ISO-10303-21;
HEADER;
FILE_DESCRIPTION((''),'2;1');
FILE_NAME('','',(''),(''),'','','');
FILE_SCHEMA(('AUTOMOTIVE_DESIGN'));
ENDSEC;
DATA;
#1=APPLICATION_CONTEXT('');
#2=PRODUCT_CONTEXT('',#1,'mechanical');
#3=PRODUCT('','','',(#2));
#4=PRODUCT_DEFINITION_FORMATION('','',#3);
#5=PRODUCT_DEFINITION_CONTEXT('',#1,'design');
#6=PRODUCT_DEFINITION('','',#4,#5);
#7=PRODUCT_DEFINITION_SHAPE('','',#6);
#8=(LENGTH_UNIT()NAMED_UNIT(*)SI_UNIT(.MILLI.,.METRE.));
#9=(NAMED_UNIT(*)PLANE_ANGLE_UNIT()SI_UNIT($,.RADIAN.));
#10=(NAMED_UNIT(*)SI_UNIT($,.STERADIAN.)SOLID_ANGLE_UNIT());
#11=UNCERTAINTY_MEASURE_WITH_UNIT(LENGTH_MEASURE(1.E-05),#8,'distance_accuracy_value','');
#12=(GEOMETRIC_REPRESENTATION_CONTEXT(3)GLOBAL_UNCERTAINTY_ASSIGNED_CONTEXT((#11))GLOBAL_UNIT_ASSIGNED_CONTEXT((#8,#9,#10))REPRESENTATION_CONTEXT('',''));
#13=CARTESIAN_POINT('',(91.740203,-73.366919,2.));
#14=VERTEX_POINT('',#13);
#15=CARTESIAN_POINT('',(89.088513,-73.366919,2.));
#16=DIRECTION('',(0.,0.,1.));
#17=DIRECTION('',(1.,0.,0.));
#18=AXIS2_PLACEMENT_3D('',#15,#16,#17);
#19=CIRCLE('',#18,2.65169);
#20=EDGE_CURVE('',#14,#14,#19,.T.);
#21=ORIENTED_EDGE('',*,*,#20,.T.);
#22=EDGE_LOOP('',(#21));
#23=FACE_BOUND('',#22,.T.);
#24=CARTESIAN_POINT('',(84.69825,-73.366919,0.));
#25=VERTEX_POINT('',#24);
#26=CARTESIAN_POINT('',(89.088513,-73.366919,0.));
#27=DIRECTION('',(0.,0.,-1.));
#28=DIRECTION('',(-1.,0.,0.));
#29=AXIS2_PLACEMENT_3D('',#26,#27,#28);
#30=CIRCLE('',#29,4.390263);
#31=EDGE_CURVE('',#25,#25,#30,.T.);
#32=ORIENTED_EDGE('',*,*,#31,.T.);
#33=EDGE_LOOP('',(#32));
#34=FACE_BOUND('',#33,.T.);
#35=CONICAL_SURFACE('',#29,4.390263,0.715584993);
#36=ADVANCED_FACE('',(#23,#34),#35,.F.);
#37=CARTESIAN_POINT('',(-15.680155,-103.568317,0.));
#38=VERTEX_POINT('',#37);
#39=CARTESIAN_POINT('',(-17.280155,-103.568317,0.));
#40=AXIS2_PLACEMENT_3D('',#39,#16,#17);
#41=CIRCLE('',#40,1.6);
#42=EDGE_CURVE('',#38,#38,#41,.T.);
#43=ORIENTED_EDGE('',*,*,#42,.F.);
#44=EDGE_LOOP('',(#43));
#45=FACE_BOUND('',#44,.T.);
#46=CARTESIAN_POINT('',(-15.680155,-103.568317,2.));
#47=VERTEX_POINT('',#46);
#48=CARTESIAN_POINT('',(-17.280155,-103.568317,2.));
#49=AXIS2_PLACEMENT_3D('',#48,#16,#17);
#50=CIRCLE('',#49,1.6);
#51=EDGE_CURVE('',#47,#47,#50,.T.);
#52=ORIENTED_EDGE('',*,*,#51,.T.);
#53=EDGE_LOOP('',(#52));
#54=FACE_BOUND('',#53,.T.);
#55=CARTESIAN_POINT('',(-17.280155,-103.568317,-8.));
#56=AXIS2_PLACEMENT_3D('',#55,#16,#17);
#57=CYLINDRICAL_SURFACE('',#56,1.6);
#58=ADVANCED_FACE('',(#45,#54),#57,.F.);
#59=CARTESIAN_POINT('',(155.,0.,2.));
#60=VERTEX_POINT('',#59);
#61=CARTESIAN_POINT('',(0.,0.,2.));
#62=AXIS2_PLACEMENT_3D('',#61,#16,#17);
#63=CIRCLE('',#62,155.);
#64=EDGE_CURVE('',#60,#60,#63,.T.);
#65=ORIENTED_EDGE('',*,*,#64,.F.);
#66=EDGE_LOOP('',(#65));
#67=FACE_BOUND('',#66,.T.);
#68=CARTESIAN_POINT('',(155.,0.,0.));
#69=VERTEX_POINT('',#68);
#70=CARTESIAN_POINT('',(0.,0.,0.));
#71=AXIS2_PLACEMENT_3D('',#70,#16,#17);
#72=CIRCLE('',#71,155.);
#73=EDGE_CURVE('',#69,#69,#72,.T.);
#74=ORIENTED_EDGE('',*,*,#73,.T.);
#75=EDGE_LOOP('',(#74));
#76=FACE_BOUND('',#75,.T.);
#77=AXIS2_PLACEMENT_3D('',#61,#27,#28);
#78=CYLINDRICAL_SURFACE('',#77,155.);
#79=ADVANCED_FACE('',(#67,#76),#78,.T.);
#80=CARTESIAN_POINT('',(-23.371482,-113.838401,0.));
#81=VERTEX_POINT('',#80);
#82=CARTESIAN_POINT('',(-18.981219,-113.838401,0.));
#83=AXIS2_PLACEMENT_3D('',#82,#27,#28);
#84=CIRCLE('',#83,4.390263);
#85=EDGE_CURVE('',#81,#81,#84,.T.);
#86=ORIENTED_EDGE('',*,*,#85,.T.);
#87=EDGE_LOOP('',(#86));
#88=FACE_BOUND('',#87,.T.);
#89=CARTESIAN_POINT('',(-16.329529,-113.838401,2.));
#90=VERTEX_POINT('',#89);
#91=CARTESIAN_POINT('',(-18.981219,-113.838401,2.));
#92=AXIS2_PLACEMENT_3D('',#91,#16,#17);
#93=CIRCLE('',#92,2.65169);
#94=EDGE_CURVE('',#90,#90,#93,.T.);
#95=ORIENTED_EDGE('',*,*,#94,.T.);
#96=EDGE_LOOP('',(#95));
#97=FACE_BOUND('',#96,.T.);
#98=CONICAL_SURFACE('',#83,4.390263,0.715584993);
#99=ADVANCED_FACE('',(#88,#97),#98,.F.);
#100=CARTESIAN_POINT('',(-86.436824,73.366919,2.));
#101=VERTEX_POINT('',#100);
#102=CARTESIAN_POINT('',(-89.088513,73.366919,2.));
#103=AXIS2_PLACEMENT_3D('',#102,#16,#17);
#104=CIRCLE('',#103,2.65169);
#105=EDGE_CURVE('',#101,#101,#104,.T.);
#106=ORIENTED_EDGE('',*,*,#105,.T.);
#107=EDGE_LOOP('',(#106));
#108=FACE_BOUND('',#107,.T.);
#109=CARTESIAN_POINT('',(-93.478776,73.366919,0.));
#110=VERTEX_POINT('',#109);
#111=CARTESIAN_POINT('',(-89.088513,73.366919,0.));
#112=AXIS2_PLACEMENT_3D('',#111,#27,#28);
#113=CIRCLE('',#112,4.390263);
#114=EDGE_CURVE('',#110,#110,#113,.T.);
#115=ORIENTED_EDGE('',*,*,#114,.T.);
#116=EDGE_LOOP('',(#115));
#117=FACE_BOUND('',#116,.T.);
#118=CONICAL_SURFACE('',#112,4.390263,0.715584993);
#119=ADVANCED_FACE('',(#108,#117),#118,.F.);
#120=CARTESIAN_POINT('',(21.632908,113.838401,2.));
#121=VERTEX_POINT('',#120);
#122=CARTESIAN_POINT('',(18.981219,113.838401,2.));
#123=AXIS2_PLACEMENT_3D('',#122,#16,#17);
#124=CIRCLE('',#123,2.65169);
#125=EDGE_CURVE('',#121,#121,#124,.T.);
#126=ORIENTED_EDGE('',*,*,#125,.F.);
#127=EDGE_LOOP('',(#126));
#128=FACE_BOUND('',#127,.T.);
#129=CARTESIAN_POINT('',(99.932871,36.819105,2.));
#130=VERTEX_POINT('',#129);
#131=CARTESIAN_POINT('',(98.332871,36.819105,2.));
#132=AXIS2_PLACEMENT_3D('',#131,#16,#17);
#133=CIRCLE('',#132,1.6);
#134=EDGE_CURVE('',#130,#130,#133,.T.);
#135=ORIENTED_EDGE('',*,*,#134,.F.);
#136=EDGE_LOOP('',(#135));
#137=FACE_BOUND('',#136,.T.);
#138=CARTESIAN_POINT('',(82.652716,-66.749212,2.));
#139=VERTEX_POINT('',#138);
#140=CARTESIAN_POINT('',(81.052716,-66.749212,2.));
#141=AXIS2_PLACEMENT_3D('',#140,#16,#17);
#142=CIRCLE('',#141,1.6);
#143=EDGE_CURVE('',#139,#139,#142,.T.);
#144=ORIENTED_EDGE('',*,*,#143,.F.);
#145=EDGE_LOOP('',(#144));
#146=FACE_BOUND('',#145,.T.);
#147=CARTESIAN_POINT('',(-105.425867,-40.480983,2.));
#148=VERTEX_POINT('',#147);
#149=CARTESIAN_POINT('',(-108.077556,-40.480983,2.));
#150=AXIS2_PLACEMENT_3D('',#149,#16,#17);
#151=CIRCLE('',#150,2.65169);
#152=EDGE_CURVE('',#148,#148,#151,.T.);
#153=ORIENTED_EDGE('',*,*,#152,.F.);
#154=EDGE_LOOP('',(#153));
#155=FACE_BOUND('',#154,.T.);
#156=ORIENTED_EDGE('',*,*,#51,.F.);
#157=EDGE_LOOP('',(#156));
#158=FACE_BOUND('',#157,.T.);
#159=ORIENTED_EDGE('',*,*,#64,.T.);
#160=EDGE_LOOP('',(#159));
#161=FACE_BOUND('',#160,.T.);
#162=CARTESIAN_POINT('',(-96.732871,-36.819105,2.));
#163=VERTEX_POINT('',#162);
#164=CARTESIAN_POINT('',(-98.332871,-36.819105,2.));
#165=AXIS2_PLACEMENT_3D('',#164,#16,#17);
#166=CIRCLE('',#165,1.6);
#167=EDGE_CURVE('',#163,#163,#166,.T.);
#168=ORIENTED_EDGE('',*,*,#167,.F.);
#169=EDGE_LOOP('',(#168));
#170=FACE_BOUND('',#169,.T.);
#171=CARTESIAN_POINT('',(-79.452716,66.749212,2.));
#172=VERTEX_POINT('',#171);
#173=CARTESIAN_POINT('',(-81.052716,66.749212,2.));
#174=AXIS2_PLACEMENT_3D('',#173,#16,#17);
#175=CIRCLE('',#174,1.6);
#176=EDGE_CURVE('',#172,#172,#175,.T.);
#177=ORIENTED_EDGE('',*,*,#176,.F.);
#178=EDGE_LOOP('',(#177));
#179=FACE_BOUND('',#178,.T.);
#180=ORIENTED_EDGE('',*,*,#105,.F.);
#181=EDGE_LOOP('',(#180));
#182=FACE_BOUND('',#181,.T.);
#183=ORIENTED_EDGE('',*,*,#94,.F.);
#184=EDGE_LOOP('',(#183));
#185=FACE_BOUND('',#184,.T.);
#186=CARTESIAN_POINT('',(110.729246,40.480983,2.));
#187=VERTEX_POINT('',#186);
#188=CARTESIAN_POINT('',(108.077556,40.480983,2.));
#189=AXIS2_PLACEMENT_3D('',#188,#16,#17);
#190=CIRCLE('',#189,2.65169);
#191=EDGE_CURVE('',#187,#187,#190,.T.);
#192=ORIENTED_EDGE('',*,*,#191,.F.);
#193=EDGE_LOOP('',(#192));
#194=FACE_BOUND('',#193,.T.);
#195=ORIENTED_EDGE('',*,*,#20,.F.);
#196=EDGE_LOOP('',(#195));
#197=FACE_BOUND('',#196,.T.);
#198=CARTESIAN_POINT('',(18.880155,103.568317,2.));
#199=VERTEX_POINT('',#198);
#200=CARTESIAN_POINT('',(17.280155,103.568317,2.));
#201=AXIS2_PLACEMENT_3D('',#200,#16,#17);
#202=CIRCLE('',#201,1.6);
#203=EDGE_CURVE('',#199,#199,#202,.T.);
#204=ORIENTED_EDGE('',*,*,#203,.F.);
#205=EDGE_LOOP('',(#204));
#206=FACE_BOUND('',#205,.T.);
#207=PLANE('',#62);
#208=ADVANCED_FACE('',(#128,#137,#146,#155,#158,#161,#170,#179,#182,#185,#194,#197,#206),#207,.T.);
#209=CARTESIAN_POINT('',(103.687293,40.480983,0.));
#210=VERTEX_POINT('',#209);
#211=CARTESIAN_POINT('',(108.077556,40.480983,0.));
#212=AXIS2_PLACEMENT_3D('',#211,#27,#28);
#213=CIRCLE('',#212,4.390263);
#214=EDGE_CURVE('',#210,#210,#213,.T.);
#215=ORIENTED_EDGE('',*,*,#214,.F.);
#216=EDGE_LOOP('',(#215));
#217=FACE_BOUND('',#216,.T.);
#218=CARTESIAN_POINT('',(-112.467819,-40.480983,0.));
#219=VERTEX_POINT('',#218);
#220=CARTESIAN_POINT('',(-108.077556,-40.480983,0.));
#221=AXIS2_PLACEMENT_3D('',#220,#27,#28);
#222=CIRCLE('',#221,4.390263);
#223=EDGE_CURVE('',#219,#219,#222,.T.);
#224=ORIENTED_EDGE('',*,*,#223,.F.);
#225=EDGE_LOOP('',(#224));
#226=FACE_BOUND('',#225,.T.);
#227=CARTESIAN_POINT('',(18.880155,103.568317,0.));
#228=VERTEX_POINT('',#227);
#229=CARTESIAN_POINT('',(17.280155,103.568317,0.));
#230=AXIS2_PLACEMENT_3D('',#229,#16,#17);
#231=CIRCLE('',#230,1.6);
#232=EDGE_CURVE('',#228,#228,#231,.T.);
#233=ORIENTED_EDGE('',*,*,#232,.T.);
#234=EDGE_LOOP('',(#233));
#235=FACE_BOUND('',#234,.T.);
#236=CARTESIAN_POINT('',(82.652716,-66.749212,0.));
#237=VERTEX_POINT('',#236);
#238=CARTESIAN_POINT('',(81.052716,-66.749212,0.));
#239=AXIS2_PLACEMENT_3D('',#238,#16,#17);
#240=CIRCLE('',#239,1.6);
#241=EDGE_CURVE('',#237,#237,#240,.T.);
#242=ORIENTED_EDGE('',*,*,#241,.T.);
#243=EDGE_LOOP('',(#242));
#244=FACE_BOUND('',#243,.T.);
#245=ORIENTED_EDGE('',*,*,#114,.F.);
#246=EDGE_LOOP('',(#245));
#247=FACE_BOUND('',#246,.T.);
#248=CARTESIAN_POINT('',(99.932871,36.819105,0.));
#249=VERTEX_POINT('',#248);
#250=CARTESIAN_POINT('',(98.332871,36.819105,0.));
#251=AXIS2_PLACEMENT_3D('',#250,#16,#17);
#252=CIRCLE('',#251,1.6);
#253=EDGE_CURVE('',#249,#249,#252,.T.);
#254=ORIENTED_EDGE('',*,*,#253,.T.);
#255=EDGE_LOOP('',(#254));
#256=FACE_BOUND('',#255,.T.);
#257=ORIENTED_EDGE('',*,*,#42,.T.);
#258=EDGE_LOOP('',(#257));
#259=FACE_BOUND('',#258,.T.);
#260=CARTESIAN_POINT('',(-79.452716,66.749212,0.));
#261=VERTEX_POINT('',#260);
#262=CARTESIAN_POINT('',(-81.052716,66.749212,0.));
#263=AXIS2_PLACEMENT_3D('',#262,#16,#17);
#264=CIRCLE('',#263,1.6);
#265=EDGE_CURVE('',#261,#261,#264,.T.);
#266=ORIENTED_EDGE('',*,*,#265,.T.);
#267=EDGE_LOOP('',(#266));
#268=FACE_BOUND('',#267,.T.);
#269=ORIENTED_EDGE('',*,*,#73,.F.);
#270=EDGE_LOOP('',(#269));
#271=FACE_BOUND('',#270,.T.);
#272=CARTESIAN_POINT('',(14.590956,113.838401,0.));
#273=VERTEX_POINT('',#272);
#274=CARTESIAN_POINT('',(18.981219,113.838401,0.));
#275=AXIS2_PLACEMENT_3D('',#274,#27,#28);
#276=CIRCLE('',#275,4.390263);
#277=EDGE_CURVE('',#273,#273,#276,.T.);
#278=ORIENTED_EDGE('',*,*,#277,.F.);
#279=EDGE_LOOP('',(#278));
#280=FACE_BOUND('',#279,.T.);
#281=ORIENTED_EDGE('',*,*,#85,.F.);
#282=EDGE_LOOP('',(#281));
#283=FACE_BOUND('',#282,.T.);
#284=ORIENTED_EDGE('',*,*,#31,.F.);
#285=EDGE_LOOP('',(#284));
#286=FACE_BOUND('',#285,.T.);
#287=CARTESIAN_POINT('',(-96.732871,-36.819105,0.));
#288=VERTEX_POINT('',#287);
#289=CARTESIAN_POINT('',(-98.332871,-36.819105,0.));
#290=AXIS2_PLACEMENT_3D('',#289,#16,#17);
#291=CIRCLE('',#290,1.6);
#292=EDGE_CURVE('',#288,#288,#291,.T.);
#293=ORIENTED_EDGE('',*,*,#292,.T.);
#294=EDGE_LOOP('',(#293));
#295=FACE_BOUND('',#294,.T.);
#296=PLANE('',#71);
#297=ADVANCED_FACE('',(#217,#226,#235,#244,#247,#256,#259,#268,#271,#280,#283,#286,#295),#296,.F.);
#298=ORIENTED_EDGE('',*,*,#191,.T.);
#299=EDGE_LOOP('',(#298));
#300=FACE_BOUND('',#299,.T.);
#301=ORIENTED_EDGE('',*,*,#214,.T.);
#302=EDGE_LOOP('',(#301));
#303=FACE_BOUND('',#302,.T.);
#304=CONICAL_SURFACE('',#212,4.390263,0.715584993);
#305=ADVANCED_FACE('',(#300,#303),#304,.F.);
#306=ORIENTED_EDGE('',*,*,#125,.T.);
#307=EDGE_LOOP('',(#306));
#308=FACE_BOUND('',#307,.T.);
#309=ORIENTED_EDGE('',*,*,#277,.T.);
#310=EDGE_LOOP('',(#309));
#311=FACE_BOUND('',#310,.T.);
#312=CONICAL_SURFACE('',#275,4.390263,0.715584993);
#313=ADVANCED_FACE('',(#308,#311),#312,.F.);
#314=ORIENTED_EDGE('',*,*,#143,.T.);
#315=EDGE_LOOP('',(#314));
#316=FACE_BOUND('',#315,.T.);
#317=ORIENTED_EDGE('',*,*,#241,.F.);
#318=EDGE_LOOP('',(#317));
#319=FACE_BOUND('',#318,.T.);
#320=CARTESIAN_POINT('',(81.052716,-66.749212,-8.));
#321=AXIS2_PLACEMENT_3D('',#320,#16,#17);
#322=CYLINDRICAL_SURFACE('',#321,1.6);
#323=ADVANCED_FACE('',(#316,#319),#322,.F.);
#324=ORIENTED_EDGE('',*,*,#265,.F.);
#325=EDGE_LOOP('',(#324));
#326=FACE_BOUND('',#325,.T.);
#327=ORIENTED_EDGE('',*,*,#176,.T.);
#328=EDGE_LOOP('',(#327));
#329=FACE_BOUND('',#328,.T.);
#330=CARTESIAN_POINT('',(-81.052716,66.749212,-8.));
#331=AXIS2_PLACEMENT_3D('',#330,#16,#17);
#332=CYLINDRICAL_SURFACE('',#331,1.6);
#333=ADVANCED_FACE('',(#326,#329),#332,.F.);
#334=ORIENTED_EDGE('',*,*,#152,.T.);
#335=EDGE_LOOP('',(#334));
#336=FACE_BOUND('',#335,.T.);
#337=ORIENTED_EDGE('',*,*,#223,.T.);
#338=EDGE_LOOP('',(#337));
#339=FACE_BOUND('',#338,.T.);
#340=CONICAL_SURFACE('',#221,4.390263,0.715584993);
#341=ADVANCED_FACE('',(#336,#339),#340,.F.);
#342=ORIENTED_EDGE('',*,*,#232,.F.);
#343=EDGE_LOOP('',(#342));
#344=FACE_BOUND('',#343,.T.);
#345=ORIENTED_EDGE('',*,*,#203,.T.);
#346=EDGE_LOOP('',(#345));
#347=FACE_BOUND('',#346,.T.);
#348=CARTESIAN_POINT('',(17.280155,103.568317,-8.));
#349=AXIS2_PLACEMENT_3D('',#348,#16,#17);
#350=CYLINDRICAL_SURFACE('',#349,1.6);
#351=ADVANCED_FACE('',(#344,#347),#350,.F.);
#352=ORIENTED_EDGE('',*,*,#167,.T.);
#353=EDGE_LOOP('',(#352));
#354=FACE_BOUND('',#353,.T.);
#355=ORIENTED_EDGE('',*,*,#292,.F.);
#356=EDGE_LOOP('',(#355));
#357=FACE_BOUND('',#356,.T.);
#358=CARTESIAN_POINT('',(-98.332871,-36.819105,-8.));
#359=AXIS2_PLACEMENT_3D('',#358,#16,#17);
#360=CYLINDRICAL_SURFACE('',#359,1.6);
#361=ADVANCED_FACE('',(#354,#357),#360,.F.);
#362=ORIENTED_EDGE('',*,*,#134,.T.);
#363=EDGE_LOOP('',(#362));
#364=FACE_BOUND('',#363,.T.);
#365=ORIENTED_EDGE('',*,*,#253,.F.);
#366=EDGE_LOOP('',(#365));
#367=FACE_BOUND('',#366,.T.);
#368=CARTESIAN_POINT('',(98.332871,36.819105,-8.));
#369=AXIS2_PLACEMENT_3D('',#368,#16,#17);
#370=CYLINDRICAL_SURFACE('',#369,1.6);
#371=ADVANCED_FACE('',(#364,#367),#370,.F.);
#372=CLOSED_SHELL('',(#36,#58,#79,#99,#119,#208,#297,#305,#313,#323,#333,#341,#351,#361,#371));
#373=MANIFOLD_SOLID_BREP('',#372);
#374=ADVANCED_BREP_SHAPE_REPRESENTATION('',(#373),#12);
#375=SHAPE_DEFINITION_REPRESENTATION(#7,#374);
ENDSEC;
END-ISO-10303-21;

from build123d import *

# Parameters (mm, degrees)
SKETCH1_R                                         = 155
BOSS_EXTRUDE1_DEPTH                               = 2
SKETCH3_R                                         = 1.6
CUT_EXTRUDE2_DEPTH                                = 10
CSK_FOR_8_FLAT_HEAD_MACHINE_SCREW_100_D           = 4.4958
CSK_FOR_8_FLAT_HEAD_MACHINE_SCREW_100_DEPTH       = 10.71
CSK_FOR_8_FLAT_HEAD_MACHINE_SCREW_100_CSINK_D     = 8.780526
CSK_FOR_8_FLAT_HEAD_MACHINE_SCREW_100_CSINK_ANGLE = 82
CSK_FOR_8_FLAT_HEAD_MACHINE_SCREW_100_TIP         = 1.350674586


with BuildPart() as part:
    # Sketch1 → Boss-Extrude1 (new body)
    with BuildSketch(Plane.XY):
        Circle(SKETCH1_R)
    extrude(amount=BOSS_EXTRUDE1_DEPTH)

    # Sketch3 → Cut-Extrude2 (cut)
    with BuildSketch(Plane.XY.offset(2)):
        with Locations((17.280155357, 103.568316733)):
            Circle(SKETCH3_R)
        with Locations((-81.052715639, 66.749211887)):
            Circle(SKETCH3_R)
        with Locations((-98.332870996, -36.819104846)):
            Circle(SKETCH3_R)
        with Locations((-17.280155357, -103.568316733)):
            Circle(SKETCH3_R)
        with Locations((81.052715639, -66.749211887)):
            Circle(SKETCH3_R)
        with Locations((98.332870996, 36.819104846)):
            Circle(SKETCH3_R)
    extrude(amount=-CUT_EXTRUDE2_DEPTH, mode=Mode.SUBTRACT)

    # CSK for #8 Flat Head Machine Screw (100)1
    with Locations(Plane(origin=(0, 0, 0), x_dir=(-1, 0, 0), z_dir=(0, 0, -1))):
        with Locations((-18.981218556, 113.83840056), (89.088513447, 73.366919465), (108.077556089, -40.480982816), (-108.077556089, 40.480982816), (-89.088513447, -73.366919465), (18.981218556, -113.83840056)):
            CounterSinkHole(CSK_FOR_8_FLAT_HEAD_MACHINE_SCREW_100_D / 2, CSK_FOR_8_FLAT_HEAD_MACHINE_SCREW_100_CSINK_D / 2, depth=CSK_FOR_8_FLAT_HEAD_MACHINE_SCREW_100_DEPTH, counter_sink_angle=CSK_FOR_8_FLAT_HEAD_MACHINE_SCREW_100_CSINK_ANGLE)
            with Locations((0, 0, -(CSK_FOR_8_FLAT_HEAD_MACHINE_SCREW_100_DEPTH + CSK_FOR_8_FLAT_HEAD_MACHINE_SCREW_100_TIP / 2))):  # 118° drill point
                Cone(0, CSK_FOR_8_FLAT_HEAD_MACHINE_SCREW_100_D / 2, CSK_FOR_8_FLAT_HEAD_MACHINE_SCREW_100_TIP, mode=Mode.SUBTRACT)


solid = part.part
